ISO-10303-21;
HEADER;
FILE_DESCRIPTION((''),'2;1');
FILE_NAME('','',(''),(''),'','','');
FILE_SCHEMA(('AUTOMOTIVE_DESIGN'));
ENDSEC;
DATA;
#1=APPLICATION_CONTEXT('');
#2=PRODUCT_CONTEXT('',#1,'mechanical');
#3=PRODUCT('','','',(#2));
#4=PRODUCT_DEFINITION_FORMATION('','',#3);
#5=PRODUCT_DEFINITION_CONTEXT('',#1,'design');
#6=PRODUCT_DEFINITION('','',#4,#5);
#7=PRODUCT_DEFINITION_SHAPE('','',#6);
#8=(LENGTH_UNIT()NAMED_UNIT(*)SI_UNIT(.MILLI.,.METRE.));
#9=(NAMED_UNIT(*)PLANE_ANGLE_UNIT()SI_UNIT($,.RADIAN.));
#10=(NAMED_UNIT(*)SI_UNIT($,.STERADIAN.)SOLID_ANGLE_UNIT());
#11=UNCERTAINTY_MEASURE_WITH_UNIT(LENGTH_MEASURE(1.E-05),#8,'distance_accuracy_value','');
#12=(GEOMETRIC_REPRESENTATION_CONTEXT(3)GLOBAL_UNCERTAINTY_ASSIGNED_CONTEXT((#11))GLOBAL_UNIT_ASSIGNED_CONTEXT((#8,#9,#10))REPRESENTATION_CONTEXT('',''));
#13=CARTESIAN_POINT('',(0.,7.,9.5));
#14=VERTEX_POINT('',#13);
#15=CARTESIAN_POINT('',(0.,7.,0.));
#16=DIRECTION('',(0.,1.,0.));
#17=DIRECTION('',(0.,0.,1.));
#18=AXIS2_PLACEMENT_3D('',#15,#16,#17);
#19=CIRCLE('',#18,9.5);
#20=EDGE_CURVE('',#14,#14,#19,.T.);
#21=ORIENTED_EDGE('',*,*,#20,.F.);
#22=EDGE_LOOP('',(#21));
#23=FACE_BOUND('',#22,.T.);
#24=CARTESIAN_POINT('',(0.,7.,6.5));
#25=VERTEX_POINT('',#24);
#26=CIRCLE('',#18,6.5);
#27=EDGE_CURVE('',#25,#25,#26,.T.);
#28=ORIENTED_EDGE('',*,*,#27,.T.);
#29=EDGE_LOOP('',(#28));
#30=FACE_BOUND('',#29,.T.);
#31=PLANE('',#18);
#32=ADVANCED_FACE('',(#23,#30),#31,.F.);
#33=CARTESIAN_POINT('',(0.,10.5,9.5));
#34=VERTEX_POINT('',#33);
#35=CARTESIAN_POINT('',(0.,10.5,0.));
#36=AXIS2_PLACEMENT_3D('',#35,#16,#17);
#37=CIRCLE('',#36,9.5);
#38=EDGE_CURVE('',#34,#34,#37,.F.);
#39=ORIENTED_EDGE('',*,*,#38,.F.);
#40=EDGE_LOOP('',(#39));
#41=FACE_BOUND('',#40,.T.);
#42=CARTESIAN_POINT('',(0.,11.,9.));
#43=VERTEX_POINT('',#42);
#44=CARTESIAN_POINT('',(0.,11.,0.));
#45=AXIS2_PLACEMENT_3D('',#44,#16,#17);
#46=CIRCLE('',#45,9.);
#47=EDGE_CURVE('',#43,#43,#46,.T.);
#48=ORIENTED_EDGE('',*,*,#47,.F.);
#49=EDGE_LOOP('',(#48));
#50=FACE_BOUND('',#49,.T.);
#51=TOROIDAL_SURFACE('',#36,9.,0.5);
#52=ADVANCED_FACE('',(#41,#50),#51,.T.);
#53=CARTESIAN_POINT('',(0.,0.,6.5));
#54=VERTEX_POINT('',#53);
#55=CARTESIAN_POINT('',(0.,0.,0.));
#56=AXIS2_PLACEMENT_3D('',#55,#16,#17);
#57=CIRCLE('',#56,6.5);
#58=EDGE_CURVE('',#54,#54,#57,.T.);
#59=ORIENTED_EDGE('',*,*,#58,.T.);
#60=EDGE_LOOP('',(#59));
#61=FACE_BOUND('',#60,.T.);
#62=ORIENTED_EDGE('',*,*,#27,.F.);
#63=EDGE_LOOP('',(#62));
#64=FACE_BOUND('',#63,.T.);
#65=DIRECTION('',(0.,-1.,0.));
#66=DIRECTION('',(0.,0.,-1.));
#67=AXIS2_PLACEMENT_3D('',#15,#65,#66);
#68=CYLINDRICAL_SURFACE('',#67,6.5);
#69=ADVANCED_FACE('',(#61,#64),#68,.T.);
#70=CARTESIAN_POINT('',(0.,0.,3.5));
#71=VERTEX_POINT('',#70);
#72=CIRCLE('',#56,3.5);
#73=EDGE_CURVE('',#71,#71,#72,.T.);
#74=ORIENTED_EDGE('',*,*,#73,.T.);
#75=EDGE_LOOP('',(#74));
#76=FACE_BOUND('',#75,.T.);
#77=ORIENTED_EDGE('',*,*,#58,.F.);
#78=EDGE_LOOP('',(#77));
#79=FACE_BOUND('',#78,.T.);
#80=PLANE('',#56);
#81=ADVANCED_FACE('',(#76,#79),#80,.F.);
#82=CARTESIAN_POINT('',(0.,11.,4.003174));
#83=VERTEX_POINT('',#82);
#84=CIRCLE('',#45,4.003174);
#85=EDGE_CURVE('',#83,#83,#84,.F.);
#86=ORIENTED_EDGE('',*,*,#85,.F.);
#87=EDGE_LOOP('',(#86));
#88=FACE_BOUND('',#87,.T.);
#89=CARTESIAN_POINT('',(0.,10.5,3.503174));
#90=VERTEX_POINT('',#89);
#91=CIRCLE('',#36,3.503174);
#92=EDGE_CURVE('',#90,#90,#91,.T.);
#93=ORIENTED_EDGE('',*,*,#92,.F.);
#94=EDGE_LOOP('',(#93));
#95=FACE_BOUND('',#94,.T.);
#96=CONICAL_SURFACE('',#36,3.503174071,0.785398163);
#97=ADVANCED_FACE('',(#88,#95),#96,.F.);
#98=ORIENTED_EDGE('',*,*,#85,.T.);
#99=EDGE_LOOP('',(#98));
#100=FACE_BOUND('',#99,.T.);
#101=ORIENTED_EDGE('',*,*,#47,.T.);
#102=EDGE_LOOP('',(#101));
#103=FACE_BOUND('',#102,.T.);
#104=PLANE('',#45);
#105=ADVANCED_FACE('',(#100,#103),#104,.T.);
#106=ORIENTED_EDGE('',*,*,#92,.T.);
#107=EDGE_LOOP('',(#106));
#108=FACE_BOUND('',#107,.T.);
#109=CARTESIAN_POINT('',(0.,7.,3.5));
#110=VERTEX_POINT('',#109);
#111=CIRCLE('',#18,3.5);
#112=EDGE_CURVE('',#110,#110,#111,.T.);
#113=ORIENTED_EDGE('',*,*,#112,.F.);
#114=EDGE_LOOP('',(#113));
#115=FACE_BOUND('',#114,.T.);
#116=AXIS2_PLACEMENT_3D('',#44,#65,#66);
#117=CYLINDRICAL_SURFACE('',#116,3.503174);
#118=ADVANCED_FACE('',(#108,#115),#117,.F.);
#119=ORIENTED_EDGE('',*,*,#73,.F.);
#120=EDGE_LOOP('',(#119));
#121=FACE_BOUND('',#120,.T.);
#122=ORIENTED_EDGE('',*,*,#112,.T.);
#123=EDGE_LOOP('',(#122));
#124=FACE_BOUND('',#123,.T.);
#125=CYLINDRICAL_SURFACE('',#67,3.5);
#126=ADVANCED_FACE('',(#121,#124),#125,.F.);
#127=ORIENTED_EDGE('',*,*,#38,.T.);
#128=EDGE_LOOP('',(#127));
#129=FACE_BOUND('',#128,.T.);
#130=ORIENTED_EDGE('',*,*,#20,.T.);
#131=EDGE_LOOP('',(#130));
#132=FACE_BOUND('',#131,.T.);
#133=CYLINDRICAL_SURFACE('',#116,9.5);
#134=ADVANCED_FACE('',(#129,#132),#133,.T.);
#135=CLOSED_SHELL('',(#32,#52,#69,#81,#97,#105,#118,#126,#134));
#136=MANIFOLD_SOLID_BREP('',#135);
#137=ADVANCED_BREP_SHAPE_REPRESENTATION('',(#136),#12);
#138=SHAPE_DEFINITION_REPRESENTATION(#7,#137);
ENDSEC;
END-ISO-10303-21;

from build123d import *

# Parameters (mm, degrees)
SKETCH1_R           = 6.5
SKETCH1_R_2         = 3.5
BOSS_EXTRUDE1_DEPTH = 7
SKETCH2_R           = 9.5
SKETCH2_R_2         = 3.503174071
BOSS_EXTRUDE3_DEPTH = 4
CHAMFER1_SIZE       = 0.5
FILLET1_R           = 0.5


with BuildPart() as part:
    # Sketch1 → Boss-Extrude1 (new body)
    with BuildSketch(Plane(origin=(0, 0, 0), x_dir=(1, 0, 0), z_dir=(0, 1, 0))):
        with Locations(Location((0, 0, 0), (0, 0, 270))):
            Circle(SKETCH1_R)
        with Locations(Location((0, 0, 0), (0, 0, 270))):
            Circle(SKETCH1_R_2, mode=Mode.SUBTRACT)
    extrude(amount=BOSS_EXTRUDE1_DEPTH)

    # Sketch2 → Boss-Extrude3 (add)
    with BuildSketch(Plane(origin=(0, 7, 0), x_dir=(1, 0, 0), z_dir=(0, 1, 0))):
        with Locations(Location((0, 0, 0), (0, 0, 270))):
            Circle(SKETCH2_R)
        with Locations(Location((0, 0, 0), (0, 0, 270))):
            Circle(SKETCH2_R_2, mode=Mode.SUBTRACT)
    extrude(amount=BOSS_EXTRUDE3_DEPTH)

    # Chamfer1
    chamfer1_edges = [part.edges().sort_by_distance(p)[0] for p in [
        (0, 11, -3.503174071),
    ]]
    chamfer(chamfer1_edges, length=CHAMFER1_SIZE)

    # Fillet1
    fillet1_edges = [part.edges().sort_by_distance(p)[0] for p in [
        (0, 11, -9.5),
    ]]
    fillet(fillet1_edges, radius=FILLET1_R)


solid = part.part
